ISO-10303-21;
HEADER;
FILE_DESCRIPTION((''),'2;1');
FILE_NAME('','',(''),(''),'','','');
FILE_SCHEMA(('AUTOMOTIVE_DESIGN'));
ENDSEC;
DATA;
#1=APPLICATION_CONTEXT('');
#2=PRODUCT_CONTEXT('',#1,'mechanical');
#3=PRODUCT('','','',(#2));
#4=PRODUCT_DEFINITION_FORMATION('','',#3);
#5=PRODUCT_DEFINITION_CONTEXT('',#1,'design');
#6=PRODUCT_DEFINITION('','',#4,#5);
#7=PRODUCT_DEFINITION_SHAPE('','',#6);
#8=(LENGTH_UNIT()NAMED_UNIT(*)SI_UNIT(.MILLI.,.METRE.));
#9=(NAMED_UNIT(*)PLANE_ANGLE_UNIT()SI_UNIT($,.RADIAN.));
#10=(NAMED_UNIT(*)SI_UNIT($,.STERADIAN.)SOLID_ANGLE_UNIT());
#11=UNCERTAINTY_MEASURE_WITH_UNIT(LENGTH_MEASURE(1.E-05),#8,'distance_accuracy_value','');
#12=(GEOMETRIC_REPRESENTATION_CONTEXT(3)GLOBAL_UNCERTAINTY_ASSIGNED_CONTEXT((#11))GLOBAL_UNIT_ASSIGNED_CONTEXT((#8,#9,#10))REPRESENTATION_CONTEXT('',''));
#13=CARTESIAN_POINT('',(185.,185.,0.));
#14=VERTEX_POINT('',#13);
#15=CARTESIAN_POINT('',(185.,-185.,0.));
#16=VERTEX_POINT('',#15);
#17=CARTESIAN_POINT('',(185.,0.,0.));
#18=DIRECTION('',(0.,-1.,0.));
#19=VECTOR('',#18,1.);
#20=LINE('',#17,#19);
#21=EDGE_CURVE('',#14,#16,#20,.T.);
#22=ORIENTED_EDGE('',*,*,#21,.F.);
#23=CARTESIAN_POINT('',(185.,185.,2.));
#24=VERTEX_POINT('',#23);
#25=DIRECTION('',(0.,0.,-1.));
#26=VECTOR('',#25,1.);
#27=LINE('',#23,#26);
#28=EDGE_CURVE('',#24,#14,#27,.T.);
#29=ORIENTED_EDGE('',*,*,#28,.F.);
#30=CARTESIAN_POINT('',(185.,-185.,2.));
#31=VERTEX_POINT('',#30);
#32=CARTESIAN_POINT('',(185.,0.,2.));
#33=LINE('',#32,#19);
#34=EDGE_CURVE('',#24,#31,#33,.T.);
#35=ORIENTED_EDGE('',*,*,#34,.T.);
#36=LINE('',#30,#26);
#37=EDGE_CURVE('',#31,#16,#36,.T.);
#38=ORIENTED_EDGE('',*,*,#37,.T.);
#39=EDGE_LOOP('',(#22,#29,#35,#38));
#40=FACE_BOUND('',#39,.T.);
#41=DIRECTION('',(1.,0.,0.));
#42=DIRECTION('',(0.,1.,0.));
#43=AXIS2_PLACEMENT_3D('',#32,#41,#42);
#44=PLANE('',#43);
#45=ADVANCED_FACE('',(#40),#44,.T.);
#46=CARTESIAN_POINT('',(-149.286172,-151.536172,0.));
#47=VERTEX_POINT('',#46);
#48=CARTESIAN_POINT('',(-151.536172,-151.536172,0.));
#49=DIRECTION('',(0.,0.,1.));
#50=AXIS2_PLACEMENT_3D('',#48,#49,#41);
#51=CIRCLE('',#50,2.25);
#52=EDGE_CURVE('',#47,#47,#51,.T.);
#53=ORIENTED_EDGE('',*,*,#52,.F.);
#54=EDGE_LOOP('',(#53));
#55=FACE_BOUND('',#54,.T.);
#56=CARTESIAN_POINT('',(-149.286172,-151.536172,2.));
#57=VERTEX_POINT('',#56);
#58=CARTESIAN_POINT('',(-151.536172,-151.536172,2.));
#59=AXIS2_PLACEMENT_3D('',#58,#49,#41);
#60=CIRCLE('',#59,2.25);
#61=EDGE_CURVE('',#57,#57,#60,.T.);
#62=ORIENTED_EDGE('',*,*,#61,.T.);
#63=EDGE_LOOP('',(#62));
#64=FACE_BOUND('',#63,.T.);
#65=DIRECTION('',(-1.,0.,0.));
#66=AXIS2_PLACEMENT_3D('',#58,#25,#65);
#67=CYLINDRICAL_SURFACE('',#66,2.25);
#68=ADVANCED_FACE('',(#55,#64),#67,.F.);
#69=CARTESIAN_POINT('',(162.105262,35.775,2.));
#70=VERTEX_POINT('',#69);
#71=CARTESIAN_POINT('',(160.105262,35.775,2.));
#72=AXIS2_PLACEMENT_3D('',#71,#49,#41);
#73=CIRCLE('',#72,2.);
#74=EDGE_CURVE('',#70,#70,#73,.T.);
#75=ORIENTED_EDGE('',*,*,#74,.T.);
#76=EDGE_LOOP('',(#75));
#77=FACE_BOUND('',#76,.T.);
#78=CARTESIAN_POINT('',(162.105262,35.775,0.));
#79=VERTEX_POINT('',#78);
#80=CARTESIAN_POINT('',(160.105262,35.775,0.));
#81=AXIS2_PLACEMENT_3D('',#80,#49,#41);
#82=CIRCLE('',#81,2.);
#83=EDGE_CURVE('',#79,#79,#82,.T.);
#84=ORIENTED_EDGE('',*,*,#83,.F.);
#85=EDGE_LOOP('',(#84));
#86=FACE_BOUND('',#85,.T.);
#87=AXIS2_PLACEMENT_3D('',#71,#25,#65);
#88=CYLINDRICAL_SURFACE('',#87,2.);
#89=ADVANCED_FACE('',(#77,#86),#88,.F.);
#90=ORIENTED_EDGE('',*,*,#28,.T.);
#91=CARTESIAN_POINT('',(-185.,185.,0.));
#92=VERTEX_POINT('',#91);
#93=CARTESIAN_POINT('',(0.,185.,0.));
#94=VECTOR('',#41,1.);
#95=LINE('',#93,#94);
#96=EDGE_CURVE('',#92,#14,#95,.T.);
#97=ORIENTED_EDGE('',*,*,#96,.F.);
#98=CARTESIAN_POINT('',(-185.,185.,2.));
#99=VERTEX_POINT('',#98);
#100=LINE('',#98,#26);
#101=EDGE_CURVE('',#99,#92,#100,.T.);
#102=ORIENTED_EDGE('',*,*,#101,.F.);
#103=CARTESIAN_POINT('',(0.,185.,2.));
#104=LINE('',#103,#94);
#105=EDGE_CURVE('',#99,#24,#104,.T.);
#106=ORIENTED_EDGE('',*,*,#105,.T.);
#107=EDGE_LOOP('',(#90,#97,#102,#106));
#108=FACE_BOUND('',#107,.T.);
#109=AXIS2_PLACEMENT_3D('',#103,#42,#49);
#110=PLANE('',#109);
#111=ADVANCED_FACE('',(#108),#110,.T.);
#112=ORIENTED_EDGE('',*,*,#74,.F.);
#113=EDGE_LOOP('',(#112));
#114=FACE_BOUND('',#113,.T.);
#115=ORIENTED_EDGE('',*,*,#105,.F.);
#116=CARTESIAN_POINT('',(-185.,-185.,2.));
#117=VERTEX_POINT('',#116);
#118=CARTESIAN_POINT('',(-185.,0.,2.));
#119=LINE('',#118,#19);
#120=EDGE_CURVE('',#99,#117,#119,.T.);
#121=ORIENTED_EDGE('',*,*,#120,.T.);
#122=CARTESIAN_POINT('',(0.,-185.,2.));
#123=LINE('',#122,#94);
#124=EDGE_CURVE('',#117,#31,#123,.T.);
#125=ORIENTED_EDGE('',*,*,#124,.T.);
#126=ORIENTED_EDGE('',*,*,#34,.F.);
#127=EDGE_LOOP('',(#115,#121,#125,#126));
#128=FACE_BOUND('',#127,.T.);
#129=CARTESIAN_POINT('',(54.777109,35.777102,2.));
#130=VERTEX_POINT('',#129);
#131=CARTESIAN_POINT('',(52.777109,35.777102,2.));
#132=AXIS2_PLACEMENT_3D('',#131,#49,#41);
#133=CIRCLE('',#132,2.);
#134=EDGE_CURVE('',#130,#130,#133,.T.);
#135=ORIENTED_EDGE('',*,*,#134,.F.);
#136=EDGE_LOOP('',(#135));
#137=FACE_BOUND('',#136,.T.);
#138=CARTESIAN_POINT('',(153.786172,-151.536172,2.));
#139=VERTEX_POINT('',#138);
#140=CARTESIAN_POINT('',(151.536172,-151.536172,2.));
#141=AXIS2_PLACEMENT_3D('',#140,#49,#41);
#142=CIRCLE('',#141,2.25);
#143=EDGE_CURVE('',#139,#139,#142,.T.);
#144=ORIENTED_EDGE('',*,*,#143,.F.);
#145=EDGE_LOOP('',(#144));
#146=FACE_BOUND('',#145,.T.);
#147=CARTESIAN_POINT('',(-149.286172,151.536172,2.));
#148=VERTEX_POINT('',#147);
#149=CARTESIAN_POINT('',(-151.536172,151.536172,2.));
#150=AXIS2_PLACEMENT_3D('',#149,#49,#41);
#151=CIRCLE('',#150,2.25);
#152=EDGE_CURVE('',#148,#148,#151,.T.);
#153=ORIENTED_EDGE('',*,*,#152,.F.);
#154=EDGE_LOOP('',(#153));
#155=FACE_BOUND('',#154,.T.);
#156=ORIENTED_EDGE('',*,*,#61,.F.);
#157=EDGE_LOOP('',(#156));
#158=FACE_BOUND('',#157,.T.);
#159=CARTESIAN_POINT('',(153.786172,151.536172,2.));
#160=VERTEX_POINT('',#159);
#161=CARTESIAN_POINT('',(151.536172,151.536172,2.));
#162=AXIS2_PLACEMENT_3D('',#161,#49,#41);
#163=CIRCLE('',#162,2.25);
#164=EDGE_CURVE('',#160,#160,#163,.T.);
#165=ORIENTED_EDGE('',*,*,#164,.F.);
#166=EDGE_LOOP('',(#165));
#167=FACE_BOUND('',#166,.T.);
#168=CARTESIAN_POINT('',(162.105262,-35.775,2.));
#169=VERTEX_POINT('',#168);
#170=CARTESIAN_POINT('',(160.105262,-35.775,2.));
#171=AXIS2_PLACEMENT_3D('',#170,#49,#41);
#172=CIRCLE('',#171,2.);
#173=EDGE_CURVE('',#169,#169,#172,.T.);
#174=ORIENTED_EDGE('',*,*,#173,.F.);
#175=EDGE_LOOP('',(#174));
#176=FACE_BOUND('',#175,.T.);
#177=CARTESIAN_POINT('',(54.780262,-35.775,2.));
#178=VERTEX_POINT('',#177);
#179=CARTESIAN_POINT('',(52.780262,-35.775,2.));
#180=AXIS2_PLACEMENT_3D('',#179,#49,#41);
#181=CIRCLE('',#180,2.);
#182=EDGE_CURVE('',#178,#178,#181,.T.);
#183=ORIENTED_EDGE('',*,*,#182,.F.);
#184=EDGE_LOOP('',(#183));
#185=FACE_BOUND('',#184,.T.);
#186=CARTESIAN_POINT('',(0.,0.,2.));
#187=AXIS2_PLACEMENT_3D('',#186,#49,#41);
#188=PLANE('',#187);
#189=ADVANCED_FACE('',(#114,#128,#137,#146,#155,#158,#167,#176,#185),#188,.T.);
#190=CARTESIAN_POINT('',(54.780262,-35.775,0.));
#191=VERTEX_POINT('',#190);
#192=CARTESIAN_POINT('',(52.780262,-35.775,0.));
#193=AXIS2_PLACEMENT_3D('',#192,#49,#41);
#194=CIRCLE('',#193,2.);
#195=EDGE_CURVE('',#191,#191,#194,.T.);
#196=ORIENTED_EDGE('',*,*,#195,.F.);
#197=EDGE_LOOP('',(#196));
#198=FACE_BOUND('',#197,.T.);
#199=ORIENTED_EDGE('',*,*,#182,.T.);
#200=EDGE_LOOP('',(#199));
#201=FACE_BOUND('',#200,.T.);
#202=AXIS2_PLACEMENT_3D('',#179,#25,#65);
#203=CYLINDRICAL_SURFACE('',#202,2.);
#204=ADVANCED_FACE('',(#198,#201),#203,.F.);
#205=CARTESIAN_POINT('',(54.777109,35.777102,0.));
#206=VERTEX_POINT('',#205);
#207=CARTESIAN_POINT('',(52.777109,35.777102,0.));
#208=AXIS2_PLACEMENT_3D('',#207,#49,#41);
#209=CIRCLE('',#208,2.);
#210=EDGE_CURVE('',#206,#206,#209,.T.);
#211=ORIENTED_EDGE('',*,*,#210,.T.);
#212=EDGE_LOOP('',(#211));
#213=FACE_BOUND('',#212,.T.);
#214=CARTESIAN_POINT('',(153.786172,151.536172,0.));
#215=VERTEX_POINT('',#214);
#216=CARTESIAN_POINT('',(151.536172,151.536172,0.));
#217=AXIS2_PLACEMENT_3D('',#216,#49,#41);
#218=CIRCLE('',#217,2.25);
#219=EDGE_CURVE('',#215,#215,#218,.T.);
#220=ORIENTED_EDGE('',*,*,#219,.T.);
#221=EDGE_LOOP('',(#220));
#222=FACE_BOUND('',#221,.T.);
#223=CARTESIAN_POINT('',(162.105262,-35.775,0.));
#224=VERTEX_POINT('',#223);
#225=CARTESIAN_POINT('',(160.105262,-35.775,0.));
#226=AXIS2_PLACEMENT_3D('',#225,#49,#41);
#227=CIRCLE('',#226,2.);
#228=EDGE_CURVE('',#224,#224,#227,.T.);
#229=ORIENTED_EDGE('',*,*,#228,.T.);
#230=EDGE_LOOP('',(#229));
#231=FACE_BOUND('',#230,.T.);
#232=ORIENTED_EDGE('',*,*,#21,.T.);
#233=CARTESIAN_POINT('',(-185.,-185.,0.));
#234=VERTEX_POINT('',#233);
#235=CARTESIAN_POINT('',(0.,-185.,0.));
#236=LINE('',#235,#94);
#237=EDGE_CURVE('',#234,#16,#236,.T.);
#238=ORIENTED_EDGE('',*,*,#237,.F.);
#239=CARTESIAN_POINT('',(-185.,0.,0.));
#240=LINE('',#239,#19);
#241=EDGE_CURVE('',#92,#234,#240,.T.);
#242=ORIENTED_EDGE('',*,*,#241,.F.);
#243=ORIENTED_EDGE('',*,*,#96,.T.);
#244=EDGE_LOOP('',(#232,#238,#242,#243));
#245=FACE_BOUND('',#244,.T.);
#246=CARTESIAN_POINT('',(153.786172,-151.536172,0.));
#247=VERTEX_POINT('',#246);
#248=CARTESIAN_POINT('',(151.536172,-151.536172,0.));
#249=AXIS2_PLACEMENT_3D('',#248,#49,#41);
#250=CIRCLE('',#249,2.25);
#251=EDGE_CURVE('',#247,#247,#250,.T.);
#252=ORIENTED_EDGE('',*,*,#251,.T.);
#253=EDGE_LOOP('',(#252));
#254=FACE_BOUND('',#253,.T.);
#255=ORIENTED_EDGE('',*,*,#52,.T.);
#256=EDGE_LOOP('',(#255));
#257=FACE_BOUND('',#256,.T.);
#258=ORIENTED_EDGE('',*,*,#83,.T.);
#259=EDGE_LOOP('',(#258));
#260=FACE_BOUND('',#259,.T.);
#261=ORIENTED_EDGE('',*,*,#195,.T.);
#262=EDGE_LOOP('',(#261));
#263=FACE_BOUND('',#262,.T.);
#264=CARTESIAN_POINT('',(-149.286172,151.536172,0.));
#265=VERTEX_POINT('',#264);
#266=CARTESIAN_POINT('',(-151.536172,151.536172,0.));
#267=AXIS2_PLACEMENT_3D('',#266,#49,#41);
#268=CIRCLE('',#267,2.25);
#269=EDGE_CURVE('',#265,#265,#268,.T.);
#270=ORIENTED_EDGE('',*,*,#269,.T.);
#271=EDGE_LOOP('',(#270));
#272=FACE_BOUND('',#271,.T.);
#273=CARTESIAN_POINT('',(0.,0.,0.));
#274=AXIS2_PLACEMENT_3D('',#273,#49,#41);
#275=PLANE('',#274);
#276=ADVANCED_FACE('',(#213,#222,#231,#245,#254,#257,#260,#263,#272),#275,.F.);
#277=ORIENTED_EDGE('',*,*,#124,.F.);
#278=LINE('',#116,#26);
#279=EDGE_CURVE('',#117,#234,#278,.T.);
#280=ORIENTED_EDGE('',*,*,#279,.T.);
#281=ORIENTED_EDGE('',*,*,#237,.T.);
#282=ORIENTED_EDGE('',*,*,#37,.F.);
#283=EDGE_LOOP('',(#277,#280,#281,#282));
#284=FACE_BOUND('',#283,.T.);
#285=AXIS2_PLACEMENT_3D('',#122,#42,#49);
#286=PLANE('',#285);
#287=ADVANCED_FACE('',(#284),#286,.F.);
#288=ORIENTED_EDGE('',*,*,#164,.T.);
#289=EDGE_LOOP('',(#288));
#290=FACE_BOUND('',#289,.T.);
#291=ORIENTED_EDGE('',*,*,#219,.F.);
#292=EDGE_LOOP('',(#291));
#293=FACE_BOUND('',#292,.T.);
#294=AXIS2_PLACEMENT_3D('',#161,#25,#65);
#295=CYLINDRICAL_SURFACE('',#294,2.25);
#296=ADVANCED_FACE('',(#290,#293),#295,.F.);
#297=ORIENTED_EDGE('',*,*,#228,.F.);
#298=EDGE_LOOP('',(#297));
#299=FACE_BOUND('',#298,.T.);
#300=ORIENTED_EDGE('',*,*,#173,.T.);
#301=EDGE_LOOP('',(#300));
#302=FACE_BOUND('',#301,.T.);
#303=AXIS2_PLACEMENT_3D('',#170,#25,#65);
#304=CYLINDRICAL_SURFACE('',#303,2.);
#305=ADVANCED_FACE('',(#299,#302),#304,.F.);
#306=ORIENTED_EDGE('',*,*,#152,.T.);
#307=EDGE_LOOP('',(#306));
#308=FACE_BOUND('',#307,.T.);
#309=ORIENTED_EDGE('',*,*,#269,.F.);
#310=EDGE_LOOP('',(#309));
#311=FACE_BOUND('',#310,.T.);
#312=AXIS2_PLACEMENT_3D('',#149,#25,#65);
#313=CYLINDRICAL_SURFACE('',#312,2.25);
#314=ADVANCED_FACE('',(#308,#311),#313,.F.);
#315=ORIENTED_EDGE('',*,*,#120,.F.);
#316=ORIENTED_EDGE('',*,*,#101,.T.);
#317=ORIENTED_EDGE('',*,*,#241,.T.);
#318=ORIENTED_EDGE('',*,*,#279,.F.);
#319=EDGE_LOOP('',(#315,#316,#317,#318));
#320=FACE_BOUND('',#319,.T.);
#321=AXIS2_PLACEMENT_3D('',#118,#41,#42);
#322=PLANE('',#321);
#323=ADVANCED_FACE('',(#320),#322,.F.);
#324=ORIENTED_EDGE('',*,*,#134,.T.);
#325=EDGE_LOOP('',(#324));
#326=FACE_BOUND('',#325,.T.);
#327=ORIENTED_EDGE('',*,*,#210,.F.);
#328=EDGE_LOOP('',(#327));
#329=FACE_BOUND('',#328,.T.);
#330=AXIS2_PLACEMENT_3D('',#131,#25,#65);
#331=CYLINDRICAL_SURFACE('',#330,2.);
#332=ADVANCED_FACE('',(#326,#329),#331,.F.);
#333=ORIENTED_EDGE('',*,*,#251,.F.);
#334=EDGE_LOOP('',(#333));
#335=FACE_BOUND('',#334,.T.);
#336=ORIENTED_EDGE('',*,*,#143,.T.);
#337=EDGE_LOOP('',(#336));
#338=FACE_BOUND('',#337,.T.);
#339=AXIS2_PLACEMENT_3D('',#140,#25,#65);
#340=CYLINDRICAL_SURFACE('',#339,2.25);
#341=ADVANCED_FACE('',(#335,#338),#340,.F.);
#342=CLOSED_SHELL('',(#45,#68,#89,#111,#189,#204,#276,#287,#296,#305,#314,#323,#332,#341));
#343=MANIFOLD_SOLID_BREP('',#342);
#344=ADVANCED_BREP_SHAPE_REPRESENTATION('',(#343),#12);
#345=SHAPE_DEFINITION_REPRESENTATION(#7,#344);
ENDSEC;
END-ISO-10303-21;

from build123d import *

# Parameters (mm, degrees)
SKETCH1_W           = 370
SKETCH1_H           = 370
SKETCH1_R           = 2.25
SKETCH1_W_2         = 120
SKETCH1_H_2         = 80
SKETCH1_R_2         = 2
BOSS_EXTRUDE2_DEPTH = 2


with BuildPart() as part:
    # Sketch1 → Boss-Extrude2 (new body)
    # profile 1 of 2: a face of its own
    with BuildSketch(Plane.XY):
        Rectangle(SKETCH1_W, SKETCH1_H)
        with Locations((-151.53617158, -151.53617158)):
            Circle(SKETCH1_R, mode=Mode.SUBTRACT)
        with Locations((151.53617158, -151.53617158)):
            Circle(SKETCH1_R, mode=Mode.SUBTRACT)
        with Locations((151.53617158, 151.53617158)):
            Circle(SKETCH1_R, mode=Mode.SUBTRACT)
        with Locations((-151.53617158, 151.53617158)):
            Circle(SKETCH1_R, mode=Mode.SUBTRACT)
        with Locations((106.442762352, 0)):
            Rectangle(SKETCH1_W_2, SKETCH1_H_2, mode=Mode.SUBTRACT)
    # profile 2 of 2: a face of its own
    with BuildSketch(Plane.XY):
        with Locations((106.442762352, 0)):
            Rectangle(SKETCH1_W_2, SKETCH1_H_2)
        with Locations((160.105262352, -35.775)):
            Circle(SKETCH1_R_2, mode=Mode.SUBTRACT)
        with Locations((160.105262352, 35.775)):
            Circle(SKETCH1_R_2, mode=Mode.SUBTRACT)
        with Locations((52.780262352, -35.775)):
            Circle(SKETCH1_R_2, mode=Mode.SUBTRACT)
        with Locations((52.777109457, 35.777101931)):
            Circle(SKETCH1_R_2, mode=Mode.SUBTRACT)
    extrude(amount=BOSS_EXTRUDE2_DEPTH)


solid = part.part
